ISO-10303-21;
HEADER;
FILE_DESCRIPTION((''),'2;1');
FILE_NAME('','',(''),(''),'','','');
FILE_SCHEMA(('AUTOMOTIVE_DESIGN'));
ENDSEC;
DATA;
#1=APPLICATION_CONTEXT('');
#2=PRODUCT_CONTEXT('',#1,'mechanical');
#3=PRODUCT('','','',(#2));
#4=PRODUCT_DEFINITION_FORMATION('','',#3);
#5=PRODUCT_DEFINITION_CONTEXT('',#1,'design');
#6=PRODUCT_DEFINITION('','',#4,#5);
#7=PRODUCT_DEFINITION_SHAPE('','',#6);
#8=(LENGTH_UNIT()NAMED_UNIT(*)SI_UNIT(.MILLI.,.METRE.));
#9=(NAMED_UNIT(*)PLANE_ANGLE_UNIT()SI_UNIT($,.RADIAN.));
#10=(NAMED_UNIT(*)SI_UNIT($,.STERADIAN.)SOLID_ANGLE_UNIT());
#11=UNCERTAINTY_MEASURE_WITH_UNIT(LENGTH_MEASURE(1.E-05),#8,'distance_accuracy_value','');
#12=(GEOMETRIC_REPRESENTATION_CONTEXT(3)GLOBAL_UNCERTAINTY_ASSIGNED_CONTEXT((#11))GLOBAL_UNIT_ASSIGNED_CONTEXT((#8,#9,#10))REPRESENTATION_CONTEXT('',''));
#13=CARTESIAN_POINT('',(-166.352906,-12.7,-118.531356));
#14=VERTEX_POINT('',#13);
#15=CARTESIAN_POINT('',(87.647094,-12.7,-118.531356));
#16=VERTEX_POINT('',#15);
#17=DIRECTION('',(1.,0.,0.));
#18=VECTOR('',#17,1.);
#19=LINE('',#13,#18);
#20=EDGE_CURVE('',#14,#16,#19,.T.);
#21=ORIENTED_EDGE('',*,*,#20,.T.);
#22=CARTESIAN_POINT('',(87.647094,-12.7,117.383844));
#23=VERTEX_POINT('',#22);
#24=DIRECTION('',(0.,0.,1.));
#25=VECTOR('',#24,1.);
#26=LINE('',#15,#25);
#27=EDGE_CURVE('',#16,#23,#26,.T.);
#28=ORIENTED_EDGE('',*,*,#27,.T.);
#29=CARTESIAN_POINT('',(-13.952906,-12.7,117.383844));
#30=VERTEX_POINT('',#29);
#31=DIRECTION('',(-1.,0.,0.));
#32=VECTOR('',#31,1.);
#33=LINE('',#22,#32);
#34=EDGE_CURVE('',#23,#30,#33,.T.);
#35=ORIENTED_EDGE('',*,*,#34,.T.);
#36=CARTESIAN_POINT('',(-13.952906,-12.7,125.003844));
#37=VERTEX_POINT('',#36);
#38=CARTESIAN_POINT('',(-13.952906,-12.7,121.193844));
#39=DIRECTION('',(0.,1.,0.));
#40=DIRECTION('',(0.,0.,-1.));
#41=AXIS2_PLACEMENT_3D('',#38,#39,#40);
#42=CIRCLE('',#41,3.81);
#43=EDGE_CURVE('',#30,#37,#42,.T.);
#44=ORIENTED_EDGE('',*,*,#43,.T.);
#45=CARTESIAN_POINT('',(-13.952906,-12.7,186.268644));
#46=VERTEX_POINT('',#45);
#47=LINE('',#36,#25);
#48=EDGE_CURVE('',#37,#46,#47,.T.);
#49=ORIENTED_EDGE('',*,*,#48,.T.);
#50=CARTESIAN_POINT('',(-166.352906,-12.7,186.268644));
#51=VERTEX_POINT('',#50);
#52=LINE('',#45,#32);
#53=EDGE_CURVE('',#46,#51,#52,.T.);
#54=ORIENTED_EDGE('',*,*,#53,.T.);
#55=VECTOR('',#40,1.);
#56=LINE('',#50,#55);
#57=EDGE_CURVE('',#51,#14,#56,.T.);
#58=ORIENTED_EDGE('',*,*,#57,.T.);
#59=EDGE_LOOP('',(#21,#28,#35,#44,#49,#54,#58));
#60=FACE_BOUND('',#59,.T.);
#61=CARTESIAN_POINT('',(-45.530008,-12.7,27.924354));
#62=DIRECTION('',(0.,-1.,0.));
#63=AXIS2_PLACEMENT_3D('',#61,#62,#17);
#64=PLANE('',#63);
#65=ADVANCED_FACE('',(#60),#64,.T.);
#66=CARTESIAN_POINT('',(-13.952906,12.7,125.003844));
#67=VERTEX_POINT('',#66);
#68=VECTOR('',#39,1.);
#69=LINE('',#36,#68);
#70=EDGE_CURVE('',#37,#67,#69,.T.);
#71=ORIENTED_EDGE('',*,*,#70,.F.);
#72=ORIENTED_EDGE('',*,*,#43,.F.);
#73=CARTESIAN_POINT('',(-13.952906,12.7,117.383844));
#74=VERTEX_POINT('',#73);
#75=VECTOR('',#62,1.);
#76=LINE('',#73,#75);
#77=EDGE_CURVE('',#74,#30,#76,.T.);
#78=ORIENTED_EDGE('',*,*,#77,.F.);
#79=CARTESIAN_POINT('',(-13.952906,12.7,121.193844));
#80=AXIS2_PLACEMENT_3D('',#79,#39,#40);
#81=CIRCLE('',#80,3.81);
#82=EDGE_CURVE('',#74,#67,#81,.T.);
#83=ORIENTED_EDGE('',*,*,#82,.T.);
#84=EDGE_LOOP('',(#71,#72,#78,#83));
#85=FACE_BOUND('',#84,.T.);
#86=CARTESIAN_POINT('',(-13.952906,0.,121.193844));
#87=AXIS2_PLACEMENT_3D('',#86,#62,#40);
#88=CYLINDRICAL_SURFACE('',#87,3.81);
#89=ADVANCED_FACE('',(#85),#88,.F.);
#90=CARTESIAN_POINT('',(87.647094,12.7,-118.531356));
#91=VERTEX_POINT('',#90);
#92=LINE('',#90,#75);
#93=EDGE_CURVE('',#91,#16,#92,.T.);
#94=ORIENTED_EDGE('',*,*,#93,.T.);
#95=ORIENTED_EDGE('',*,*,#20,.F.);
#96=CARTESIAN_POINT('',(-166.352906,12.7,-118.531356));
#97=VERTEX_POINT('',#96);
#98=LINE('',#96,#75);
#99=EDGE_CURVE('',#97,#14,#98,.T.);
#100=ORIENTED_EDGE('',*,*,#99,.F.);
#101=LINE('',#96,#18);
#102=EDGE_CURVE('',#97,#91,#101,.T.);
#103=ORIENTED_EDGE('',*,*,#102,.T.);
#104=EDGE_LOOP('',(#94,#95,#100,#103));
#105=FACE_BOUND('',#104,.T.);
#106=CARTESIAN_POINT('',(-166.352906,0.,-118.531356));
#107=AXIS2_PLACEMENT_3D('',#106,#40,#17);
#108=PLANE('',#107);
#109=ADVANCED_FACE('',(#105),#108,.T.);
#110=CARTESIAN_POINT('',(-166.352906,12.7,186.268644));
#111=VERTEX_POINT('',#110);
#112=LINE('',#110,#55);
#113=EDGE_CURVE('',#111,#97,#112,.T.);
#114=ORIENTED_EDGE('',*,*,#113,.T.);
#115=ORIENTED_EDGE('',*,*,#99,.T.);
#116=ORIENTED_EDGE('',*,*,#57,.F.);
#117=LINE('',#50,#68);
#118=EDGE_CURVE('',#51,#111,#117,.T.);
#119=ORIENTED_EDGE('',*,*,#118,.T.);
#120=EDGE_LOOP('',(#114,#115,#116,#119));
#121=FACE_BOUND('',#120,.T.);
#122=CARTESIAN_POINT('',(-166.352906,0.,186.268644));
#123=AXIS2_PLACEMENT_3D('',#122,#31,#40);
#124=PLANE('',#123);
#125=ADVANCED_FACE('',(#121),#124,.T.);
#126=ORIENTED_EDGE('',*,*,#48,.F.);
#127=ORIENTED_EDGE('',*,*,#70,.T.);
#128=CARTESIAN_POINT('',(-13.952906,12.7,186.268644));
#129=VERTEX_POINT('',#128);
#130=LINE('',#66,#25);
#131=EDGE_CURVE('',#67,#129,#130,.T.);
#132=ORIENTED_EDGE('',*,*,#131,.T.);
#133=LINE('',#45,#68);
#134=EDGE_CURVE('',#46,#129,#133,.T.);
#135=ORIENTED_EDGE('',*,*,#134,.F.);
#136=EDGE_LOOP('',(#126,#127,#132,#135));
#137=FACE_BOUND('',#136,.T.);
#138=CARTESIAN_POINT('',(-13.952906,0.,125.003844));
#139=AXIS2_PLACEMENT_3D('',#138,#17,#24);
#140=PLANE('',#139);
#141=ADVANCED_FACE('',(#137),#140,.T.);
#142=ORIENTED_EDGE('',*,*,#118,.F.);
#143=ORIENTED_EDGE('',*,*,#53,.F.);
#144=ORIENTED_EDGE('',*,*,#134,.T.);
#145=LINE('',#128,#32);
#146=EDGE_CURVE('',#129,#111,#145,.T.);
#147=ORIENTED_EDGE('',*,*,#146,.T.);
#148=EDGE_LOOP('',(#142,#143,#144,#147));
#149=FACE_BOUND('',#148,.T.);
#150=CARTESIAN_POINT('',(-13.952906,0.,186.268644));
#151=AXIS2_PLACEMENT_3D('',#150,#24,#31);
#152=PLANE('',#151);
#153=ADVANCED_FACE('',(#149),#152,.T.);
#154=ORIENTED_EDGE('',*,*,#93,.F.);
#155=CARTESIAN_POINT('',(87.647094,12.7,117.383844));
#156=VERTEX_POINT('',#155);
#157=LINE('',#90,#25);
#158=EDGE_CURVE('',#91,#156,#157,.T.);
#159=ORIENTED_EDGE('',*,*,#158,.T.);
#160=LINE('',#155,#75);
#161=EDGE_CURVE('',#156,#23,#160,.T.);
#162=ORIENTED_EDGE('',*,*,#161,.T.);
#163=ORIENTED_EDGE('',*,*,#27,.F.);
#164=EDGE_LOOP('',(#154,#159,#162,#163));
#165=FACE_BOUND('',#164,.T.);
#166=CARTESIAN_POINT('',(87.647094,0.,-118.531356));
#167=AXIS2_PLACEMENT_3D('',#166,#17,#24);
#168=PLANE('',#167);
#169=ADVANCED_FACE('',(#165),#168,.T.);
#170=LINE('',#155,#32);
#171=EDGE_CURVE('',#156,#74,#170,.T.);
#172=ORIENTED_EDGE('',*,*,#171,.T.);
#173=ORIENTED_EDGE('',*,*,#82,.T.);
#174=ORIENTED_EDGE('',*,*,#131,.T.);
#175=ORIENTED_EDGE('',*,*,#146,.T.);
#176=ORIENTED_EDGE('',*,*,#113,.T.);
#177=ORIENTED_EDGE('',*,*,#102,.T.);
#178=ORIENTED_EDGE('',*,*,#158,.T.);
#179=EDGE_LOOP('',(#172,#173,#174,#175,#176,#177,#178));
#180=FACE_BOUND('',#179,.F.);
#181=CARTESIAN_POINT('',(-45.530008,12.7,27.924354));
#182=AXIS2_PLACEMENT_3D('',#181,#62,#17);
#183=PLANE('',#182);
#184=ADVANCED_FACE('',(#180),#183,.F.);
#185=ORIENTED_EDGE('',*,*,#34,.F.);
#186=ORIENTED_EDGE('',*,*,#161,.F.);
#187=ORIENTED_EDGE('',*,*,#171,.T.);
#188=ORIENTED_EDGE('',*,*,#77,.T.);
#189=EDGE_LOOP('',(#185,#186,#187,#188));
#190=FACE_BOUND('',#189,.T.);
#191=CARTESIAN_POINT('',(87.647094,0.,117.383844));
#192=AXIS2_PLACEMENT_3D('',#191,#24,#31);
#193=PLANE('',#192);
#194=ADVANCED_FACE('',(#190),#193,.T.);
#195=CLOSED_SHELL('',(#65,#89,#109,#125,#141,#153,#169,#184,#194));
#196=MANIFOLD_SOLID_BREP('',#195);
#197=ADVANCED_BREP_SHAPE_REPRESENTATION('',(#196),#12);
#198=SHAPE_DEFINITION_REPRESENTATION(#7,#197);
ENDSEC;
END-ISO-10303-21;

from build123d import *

# Parameters (mm, degrees)
F1_DEPTH = 12.7


with BuildPart() as f1:
    # F0 (on Front) → F1 (new body, symmetric)
    with BuildSketch(Plane.XZ):
        with BuildLine():
            Line((-166.352906, 186.268644), (-166.352906, -118.531356))
            Line((-166.352906, -118.531356), (87.647094, -118.531356))
            Line((87.647094, -118.531356), (87.647094, 117.383844))
            Line((87.647094, 117.383844), (-13.952906, 117.383844))
            ThreePointArc((-13.952906, 117.383844), (-17.762906, 121.193844), (-13.952906, 125.003844))
            Line((-13.952906, 125.003844), (-13.952906, 186.268644))
            Line((-13.952906, 186.268644), (-166.352906, 186.268644))
        make_face()
    extrude(amount=F1_DEPTH, both=True)


solid = f1.part
